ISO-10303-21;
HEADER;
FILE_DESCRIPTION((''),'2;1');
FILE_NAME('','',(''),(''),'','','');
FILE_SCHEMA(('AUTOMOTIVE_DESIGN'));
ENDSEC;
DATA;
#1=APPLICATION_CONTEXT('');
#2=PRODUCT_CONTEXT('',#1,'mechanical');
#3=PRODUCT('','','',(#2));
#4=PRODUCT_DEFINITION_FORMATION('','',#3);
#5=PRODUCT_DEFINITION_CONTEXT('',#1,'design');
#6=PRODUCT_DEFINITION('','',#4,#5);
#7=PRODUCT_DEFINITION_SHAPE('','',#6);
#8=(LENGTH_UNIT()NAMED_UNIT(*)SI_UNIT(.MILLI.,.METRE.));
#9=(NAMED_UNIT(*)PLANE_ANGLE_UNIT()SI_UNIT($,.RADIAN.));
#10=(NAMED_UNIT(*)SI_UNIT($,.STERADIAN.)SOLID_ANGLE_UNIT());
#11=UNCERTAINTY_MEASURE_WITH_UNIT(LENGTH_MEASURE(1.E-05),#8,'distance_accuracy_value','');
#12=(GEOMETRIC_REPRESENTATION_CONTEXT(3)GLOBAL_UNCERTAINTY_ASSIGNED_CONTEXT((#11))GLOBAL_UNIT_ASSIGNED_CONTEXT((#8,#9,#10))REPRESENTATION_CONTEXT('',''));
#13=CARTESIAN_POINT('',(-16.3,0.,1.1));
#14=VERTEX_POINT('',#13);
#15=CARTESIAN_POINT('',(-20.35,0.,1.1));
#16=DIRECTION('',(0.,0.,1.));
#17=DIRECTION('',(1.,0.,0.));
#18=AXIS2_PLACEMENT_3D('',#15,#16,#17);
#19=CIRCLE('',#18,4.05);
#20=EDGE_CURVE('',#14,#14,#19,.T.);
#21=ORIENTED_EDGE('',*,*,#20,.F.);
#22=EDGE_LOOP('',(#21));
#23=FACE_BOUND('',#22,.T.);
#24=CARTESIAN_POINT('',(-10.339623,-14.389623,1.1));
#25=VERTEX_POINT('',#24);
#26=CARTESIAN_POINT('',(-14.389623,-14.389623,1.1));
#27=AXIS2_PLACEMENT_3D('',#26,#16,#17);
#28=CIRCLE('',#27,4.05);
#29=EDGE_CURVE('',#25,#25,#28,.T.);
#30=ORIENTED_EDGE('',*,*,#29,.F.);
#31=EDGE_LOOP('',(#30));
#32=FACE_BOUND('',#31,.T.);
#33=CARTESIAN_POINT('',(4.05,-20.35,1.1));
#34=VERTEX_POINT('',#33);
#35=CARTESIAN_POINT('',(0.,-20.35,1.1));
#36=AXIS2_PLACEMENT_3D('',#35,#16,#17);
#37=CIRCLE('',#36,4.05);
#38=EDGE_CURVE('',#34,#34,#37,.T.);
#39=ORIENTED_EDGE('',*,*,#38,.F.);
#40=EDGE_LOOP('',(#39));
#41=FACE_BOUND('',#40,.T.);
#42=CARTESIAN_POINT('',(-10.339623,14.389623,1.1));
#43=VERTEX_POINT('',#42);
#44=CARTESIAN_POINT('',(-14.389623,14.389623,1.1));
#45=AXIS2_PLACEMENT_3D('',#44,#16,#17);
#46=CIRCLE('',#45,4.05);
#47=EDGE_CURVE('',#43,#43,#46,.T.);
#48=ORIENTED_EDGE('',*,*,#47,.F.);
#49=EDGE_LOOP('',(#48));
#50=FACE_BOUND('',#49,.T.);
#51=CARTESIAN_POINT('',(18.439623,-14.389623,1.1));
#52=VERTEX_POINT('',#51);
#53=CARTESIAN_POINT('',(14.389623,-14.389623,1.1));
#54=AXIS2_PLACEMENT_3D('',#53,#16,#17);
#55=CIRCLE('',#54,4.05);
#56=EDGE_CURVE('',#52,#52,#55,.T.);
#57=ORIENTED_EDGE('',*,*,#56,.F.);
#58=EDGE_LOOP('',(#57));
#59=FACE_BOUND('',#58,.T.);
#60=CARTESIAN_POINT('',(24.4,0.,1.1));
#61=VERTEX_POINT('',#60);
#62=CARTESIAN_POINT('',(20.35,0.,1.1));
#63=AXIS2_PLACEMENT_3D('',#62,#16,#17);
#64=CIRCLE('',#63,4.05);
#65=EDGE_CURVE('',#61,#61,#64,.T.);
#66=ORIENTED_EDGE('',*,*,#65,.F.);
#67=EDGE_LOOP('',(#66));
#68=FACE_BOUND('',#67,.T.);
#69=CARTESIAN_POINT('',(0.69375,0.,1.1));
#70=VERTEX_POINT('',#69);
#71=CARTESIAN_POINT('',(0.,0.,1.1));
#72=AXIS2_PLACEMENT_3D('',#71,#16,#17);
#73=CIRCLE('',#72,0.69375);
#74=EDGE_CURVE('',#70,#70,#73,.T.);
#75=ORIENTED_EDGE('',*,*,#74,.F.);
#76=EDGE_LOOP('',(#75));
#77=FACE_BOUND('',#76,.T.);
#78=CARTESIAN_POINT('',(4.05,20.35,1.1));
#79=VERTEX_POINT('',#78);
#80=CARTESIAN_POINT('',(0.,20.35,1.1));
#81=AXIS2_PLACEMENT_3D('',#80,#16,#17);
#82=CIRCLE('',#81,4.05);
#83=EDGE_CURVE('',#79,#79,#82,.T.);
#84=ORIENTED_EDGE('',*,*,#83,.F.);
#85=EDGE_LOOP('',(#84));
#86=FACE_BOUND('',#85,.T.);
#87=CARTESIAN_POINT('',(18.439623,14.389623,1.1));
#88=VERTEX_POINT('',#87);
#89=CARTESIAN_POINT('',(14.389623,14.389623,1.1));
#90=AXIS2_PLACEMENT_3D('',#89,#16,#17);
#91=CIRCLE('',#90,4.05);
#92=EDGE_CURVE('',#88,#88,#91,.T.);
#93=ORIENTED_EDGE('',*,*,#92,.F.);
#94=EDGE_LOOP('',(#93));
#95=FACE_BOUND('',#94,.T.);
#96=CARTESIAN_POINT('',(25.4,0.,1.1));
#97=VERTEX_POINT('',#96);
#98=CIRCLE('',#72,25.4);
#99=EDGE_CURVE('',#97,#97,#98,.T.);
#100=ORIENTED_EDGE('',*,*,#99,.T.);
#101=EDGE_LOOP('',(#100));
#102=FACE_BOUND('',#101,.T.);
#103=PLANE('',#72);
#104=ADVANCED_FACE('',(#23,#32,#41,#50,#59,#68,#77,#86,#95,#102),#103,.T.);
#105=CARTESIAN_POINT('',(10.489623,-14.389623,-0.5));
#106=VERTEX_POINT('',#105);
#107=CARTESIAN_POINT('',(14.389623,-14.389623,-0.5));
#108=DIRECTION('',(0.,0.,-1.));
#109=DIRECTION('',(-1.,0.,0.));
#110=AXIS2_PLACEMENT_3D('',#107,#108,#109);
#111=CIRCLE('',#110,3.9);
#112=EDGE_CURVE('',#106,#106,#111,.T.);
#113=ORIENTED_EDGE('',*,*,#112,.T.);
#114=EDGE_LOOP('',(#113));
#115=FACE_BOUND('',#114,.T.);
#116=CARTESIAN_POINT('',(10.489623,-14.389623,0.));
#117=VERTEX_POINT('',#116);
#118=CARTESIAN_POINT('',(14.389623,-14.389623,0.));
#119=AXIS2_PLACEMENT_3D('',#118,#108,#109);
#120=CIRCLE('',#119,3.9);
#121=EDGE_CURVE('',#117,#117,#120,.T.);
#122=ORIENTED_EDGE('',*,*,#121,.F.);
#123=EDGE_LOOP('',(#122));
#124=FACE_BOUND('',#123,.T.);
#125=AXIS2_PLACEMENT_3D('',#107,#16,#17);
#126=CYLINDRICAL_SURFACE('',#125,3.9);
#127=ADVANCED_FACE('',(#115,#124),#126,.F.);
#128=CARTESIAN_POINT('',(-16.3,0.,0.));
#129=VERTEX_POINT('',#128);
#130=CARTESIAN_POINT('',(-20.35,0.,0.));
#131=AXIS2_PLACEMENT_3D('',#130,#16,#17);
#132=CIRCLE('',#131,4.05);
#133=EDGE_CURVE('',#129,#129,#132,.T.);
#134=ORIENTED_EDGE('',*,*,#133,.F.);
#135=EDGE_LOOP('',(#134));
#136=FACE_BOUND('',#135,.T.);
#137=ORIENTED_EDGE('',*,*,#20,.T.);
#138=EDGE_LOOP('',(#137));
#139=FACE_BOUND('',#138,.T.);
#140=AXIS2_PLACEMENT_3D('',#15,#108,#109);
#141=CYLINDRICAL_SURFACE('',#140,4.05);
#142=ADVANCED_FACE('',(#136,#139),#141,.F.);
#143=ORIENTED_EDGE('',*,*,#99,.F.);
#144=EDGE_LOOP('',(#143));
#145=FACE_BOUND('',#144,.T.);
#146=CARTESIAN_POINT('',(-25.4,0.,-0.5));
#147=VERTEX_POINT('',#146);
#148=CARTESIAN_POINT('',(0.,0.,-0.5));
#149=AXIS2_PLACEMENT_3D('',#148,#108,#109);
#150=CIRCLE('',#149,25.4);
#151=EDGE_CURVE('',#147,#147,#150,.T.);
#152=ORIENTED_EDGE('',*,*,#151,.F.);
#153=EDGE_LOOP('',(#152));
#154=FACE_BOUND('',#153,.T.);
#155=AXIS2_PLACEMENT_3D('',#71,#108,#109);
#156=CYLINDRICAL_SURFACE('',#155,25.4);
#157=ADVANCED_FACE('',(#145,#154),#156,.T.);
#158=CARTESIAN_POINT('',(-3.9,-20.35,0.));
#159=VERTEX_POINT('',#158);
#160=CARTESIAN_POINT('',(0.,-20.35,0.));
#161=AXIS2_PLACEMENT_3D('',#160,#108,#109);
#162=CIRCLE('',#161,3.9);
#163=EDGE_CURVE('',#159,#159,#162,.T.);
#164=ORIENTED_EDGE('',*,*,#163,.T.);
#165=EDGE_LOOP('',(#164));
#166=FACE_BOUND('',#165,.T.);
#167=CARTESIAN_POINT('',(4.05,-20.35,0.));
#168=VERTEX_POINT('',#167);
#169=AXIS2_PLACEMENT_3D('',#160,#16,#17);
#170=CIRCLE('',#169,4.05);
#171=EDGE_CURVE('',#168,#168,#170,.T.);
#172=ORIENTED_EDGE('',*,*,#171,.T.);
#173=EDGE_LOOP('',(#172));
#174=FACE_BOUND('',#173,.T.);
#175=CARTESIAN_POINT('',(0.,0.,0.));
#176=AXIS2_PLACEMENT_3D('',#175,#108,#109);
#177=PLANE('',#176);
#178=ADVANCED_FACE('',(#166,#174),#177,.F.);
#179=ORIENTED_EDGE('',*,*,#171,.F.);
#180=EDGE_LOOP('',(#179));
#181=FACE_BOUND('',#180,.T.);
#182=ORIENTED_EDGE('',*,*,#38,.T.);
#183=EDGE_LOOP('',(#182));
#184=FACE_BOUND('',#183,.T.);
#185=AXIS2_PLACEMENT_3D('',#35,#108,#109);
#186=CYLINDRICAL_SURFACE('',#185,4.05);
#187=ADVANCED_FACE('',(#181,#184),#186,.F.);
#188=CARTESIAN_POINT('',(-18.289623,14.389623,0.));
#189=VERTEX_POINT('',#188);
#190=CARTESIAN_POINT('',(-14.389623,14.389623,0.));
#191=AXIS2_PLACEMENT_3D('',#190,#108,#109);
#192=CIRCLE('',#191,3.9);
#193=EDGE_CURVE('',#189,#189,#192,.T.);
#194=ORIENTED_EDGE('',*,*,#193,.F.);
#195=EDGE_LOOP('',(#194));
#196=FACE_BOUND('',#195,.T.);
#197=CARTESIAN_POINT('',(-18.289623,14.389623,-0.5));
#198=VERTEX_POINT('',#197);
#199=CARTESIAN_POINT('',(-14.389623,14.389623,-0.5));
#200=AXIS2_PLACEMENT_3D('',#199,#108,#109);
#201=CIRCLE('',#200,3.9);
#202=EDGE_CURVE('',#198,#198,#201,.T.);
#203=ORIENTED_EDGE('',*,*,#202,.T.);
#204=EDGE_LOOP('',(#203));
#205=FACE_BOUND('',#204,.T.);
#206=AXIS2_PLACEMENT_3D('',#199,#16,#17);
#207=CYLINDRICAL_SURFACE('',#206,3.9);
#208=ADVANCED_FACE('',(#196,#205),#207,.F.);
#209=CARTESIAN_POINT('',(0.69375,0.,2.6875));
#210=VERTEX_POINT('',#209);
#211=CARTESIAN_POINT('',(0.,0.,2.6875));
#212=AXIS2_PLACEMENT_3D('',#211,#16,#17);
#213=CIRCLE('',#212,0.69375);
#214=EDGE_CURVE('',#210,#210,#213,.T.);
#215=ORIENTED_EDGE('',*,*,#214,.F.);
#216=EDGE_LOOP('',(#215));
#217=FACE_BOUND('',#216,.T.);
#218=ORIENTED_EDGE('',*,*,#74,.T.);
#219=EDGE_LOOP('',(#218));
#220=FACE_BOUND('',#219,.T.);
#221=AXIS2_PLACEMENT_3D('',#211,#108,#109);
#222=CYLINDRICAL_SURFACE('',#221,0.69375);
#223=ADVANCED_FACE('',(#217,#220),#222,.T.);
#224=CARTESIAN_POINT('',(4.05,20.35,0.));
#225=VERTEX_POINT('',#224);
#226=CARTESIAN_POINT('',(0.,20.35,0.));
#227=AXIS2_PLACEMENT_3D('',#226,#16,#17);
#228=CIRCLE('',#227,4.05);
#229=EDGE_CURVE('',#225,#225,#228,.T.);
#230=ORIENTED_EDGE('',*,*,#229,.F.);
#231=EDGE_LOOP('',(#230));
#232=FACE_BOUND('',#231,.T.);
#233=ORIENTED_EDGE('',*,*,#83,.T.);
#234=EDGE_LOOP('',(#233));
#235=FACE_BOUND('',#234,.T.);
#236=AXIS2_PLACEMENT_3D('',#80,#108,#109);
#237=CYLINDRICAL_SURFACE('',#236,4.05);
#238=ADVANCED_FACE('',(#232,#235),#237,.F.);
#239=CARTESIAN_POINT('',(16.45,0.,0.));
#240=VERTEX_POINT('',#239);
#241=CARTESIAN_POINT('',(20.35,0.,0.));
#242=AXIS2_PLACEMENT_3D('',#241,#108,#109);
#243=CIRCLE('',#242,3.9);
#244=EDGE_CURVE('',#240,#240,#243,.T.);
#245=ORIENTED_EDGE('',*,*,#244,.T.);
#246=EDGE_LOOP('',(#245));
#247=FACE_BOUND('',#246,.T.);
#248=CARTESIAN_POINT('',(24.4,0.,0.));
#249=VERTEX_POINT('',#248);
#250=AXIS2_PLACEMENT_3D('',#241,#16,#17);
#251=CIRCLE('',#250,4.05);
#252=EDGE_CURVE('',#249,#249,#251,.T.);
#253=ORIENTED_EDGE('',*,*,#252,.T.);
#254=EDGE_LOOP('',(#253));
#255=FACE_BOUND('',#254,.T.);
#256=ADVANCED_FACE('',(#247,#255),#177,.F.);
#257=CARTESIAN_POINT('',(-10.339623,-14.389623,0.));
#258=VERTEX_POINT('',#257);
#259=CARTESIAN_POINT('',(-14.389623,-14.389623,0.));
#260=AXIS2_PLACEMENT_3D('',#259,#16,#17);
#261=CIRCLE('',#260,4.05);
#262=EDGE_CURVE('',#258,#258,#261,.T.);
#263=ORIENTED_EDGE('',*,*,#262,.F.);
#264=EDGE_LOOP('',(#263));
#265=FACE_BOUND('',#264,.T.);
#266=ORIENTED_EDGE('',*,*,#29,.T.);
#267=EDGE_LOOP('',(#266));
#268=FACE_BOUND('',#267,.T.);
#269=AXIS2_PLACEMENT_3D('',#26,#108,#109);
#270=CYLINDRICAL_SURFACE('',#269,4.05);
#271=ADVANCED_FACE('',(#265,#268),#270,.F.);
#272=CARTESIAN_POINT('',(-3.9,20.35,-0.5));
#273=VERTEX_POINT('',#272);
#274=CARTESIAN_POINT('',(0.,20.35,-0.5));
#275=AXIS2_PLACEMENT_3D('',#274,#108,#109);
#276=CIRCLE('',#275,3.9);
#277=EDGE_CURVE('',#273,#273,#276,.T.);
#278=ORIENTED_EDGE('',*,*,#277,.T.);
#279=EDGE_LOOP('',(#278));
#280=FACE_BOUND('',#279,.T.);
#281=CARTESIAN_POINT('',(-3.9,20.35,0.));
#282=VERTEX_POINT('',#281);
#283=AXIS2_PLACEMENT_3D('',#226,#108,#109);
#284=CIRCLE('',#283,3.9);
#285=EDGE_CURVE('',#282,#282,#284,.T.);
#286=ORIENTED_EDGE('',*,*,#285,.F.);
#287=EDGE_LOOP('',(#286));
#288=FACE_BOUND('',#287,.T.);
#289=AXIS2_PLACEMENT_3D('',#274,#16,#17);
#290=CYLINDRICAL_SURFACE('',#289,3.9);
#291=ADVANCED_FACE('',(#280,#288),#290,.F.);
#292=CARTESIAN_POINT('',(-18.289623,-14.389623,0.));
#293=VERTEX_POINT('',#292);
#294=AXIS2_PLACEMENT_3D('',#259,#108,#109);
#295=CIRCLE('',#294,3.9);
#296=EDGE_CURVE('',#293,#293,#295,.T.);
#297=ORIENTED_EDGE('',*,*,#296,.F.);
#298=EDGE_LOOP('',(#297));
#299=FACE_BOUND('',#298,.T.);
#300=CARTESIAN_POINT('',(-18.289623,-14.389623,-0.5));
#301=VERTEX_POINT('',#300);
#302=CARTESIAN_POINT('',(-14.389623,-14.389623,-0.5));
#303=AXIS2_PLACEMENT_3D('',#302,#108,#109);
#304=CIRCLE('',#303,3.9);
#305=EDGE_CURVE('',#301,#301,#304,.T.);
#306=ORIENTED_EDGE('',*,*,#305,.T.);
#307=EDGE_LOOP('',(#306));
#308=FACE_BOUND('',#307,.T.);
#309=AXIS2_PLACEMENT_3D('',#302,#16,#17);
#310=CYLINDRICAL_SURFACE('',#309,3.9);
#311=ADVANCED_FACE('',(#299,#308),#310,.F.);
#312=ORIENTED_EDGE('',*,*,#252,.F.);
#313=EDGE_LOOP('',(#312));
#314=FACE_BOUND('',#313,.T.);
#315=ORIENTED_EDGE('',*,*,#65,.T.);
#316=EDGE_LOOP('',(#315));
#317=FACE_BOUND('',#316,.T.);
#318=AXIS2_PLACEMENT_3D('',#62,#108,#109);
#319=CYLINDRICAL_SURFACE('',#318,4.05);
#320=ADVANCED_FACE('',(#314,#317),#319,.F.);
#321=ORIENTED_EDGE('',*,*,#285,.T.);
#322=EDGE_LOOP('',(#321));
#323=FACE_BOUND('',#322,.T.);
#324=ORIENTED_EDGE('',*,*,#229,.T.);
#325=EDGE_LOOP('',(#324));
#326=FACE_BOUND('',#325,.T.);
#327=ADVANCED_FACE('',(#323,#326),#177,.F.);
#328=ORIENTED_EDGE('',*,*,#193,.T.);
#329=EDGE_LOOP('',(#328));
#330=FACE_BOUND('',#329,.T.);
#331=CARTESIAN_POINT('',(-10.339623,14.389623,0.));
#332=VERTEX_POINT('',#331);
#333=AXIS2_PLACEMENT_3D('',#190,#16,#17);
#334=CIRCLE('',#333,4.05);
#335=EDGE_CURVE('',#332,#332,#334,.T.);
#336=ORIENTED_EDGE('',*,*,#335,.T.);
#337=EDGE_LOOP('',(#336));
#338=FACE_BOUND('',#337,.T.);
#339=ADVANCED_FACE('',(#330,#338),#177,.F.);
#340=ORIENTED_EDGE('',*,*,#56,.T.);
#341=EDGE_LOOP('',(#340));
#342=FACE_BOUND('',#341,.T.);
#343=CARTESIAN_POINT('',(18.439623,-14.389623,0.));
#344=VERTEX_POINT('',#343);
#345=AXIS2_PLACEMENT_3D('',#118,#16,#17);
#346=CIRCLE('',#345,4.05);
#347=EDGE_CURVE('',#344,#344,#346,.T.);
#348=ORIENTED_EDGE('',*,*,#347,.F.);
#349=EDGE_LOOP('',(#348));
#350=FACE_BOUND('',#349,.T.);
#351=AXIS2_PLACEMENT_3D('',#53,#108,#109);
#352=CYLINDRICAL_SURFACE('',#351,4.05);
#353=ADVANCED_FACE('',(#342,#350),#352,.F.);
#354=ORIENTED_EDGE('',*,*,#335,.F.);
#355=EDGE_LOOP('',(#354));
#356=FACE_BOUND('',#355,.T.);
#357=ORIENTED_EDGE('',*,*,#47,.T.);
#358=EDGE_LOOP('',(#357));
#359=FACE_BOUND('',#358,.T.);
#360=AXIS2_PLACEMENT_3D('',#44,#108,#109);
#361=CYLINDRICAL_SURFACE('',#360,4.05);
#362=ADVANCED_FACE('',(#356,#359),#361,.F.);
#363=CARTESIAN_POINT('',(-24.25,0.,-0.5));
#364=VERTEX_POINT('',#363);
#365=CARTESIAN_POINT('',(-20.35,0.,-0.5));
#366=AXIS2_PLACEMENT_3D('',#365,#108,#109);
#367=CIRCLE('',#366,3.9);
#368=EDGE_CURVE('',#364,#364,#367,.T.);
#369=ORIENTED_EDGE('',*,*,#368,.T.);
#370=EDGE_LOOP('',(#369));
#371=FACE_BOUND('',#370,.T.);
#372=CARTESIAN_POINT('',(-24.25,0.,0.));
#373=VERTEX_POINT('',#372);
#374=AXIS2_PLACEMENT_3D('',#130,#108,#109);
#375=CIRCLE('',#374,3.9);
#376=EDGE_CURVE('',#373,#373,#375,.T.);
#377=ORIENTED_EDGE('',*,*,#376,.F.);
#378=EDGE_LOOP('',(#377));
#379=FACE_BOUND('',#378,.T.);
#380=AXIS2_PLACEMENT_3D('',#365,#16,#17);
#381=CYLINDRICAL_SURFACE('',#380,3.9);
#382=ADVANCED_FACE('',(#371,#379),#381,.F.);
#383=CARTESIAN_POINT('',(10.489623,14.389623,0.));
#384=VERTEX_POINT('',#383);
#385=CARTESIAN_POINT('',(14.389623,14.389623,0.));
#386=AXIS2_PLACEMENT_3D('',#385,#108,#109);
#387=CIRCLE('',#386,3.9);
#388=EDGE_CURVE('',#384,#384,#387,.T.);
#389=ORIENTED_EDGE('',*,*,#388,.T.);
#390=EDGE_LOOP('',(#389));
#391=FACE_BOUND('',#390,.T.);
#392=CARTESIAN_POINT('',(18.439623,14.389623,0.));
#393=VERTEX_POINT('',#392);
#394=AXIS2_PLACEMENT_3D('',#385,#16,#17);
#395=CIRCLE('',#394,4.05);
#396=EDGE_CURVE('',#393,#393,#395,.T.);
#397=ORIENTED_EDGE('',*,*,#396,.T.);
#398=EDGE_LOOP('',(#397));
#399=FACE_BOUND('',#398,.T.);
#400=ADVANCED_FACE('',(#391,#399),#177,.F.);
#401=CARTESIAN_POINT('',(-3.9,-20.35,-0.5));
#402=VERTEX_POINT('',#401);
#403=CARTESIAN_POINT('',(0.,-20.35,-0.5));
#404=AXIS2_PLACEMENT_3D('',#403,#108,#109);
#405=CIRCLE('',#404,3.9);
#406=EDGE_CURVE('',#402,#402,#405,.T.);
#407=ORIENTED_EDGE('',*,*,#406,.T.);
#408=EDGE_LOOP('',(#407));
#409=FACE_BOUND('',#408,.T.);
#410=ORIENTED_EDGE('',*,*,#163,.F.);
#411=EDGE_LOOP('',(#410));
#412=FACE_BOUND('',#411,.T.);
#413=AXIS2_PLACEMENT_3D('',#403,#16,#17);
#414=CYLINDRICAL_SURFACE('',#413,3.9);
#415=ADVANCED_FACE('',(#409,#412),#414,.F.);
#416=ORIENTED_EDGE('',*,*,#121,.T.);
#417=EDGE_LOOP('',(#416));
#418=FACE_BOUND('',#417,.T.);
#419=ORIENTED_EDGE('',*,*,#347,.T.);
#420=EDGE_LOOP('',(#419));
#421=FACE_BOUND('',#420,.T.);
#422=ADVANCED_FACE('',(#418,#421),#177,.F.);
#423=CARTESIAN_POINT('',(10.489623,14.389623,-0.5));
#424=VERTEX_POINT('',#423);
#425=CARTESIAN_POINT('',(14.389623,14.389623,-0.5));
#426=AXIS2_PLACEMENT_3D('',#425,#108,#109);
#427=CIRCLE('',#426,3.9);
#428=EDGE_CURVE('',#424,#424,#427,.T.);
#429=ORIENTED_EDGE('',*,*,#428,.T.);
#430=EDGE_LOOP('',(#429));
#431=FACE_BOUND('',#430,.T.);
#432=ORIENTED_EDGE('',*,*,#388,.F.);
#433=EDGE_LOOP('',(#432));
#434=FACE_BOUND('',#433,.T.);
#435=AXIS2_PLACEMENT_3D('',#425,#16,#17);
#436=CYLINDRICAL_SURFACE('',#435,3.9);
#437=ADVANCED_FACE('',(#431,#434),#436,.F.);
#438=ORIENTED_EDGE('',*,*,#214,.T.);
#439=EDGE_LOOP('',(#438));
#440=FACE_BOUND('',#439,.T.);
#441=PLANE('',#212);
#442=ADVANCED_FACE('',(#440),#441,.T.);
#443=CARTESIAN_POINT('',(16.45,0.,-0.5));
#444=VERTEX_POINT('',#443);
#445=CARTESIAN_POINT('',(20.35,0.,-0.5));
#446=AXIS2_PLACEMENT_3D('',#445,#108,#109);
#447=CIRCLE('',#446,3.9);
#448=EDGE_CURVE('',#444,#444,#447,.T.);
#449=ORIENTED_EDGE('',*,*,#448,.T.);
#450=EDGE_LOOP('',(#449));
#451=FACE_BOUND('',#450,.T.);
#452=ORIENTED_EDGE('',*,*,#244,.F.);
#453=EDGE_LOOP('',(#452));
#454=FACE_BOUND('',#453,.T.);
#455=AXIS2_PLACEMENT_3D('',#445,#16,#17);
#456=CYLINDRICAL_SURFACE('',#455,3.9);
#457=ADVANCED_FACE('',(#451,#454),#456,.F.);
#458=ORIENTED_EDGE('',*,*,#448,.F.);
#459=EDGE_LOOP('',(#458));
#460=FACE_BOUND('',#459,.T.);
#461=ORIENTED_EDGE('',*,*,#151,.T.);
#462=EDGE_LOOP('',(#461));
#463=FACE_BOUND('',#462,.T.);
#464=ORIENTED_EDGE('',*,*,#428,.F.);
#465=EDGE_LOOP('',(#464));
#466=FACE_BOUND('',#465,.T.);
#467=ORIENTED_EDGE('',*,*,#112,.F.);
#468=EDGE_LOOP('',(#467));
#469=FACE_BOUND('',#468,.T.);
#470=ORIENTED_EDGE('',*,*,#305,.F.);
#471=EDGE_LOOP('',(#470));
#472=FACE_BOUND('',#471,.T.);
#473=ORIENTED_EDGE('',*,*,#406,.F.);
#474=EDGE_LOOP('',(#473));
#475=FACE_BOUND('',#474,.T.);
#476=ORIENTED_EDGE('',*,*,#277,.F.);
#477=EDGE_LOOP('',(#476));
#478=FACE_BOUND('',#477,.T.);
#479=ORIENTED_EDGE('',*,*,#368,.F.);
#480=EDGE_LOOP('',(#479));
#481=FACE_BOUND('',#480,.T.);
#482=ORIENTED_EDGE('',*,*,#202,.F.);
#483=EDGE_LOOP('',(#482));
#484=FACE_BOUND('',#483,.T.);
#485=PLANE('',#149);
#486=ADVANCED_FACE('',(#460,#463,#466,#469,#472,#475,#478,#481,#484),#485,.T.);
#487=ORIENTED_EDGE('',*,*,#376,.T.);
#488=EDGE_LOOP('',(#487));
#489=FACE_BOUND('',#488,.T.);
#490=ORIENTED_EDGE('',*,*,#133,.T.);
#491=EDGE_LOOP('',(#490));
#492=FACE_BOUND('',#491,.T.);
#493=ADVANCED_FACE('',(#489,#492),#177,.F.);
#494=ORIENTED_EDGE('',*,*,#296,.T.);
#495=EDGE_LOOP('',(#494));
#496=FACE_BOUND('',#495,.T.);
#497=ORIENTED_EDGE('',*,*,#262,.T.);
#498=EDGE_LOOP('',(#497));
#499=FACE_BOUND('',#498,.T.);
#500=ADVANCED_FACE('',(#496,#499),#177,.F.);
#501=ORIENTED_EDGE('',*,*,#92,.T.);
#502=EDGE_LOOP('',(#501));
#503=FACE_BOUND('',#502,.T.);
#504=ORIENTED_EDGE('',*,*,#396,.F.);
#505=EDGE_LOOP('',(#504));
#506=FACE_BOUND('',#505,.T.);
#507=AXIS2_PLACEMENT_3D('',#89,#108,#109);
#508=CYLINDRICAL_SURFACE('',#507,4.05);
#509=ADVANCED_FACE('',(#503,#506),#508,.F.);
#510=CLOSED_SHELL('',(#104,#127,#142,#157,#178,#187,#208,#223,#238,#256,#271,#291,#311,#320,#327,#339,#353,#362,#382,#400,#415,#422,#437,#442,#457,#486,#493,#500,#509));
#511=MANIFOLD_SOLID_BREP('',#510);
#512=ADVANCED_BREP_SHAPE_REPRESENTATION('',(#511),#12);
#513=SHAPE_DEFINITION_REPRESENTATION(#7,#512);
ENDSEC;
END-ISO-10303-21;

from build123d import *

# Parameters (mm, degrees)
SKETCH1_R           = 25.4
SKETCH1_R_2         = 4.05
BOSS_EXTRUDE1_DEPTH = 1.1
SKETCH2_R           = 0.69375
BOSS_EXTRUDE2_DEPTH = 1.5875
BOSS_EXTRUDE3_START = 0.5
SKETCH3_R           = 25.4
SKETCH3_R_2         = 3.9
BOSS_EXTRUDE3_DEPTH = 0.5


with BuildPart() as part:
    # Sketch1 → Boss-Extrude1 (new body)
    with BuildSketch(Plane.XY):
        Circle(SKETCH1_R)
        with Locations((0, 20.35)):
            Circle(SKETCH1_R_2, mode=Mode.SUBTRACT)
        with Locations((14.389622997, 14.389622997)):
            Circle(SKETCH1_R_2, mode=Mode.SUBTRACT)
        with Locations((20.35, 0)):
            Circle(SKETCH1_R_2, mode=Mode.SUBTRACT)
        with Locations((14.389622997, -14.389622997)):
            Circle(SKETCH1_R_2, mode=Mode.SUBTRACT)
        with Locations((0, -20.35)):
            Circle(SKETCH1_R_2, mode=Mode.SUBTRACT)
        with Locations((-14.389622997, -14.389622997)):
            Circle(SKETCH1_R_2, mode=Mode.SUBTRACT)
        with Locations((-20.35, 0)):
            Circle(SKETCH1_R_2, mode=Mode.SUBTRACT)
        with Locations((-14.389622997, 14.389622997)):
            Circle(SKETCH1_R_2, mode=Mode.SUBTRACT)
    extrude(amount=BOSS_EXTRUDE1_DEPTH)

    # Sketch2 → Boss-Extrude2 (add)
    with BuildSketch(Plane.XY.offset(1.1)):
        Circle(SKETCH2_R)
    extrude(amount=BOSS_EXTRUDE2_DEPTH)

    # Sketch3 → Boss-Extrude3 (add)
    with BuildSketch(Plane(origin=(0, 0, 0), x_dir=(-1, 0, 0), z_dir=(0, 0, -1)).offset(BOSS_EXTRUDE3_START)):
        Circle(SKETCH3_R)
        with Locations((0, 20.35)):
            Circle(SKETCH3_R_2, mode=Mode.SUBTRACT)
        with Locations((14.389622997, 14.389622997)):
            Circle(SKETCH3_R_2, mode=Mode.SUBTRACT)
        with Locations((20.35, 0)):
            Circle(SKETCH3_R_2, mode=Mode.SUBTRACT)
        with Locations((14.389622997, -14.389622997)):
            Circle(SKETCH3_R_2, mode=Mode.SUBTRACT)
        with Locations((0, -20.35)):
            Circle(SKETCH3_R_2, mode=Mode.SUBTRACT)
        with Locations((-14.389622997, -14.389622997)):
            Circle(SKETCH3_R_2, mode=Mode.SUBTRACT)
        with Locations((-20.35, 0)):
            Circle(SKETCH3_R_2, mode=Mode.SUBTRACT)
        with Locations((-14.389622997, 14.389622997)):
            Circle(SKETCH3_R_2, mode=Mode.SUBTRACT)
    extrude(amount=-BOSS_EXTRUDE3_DEPTH)


solid = part.part
